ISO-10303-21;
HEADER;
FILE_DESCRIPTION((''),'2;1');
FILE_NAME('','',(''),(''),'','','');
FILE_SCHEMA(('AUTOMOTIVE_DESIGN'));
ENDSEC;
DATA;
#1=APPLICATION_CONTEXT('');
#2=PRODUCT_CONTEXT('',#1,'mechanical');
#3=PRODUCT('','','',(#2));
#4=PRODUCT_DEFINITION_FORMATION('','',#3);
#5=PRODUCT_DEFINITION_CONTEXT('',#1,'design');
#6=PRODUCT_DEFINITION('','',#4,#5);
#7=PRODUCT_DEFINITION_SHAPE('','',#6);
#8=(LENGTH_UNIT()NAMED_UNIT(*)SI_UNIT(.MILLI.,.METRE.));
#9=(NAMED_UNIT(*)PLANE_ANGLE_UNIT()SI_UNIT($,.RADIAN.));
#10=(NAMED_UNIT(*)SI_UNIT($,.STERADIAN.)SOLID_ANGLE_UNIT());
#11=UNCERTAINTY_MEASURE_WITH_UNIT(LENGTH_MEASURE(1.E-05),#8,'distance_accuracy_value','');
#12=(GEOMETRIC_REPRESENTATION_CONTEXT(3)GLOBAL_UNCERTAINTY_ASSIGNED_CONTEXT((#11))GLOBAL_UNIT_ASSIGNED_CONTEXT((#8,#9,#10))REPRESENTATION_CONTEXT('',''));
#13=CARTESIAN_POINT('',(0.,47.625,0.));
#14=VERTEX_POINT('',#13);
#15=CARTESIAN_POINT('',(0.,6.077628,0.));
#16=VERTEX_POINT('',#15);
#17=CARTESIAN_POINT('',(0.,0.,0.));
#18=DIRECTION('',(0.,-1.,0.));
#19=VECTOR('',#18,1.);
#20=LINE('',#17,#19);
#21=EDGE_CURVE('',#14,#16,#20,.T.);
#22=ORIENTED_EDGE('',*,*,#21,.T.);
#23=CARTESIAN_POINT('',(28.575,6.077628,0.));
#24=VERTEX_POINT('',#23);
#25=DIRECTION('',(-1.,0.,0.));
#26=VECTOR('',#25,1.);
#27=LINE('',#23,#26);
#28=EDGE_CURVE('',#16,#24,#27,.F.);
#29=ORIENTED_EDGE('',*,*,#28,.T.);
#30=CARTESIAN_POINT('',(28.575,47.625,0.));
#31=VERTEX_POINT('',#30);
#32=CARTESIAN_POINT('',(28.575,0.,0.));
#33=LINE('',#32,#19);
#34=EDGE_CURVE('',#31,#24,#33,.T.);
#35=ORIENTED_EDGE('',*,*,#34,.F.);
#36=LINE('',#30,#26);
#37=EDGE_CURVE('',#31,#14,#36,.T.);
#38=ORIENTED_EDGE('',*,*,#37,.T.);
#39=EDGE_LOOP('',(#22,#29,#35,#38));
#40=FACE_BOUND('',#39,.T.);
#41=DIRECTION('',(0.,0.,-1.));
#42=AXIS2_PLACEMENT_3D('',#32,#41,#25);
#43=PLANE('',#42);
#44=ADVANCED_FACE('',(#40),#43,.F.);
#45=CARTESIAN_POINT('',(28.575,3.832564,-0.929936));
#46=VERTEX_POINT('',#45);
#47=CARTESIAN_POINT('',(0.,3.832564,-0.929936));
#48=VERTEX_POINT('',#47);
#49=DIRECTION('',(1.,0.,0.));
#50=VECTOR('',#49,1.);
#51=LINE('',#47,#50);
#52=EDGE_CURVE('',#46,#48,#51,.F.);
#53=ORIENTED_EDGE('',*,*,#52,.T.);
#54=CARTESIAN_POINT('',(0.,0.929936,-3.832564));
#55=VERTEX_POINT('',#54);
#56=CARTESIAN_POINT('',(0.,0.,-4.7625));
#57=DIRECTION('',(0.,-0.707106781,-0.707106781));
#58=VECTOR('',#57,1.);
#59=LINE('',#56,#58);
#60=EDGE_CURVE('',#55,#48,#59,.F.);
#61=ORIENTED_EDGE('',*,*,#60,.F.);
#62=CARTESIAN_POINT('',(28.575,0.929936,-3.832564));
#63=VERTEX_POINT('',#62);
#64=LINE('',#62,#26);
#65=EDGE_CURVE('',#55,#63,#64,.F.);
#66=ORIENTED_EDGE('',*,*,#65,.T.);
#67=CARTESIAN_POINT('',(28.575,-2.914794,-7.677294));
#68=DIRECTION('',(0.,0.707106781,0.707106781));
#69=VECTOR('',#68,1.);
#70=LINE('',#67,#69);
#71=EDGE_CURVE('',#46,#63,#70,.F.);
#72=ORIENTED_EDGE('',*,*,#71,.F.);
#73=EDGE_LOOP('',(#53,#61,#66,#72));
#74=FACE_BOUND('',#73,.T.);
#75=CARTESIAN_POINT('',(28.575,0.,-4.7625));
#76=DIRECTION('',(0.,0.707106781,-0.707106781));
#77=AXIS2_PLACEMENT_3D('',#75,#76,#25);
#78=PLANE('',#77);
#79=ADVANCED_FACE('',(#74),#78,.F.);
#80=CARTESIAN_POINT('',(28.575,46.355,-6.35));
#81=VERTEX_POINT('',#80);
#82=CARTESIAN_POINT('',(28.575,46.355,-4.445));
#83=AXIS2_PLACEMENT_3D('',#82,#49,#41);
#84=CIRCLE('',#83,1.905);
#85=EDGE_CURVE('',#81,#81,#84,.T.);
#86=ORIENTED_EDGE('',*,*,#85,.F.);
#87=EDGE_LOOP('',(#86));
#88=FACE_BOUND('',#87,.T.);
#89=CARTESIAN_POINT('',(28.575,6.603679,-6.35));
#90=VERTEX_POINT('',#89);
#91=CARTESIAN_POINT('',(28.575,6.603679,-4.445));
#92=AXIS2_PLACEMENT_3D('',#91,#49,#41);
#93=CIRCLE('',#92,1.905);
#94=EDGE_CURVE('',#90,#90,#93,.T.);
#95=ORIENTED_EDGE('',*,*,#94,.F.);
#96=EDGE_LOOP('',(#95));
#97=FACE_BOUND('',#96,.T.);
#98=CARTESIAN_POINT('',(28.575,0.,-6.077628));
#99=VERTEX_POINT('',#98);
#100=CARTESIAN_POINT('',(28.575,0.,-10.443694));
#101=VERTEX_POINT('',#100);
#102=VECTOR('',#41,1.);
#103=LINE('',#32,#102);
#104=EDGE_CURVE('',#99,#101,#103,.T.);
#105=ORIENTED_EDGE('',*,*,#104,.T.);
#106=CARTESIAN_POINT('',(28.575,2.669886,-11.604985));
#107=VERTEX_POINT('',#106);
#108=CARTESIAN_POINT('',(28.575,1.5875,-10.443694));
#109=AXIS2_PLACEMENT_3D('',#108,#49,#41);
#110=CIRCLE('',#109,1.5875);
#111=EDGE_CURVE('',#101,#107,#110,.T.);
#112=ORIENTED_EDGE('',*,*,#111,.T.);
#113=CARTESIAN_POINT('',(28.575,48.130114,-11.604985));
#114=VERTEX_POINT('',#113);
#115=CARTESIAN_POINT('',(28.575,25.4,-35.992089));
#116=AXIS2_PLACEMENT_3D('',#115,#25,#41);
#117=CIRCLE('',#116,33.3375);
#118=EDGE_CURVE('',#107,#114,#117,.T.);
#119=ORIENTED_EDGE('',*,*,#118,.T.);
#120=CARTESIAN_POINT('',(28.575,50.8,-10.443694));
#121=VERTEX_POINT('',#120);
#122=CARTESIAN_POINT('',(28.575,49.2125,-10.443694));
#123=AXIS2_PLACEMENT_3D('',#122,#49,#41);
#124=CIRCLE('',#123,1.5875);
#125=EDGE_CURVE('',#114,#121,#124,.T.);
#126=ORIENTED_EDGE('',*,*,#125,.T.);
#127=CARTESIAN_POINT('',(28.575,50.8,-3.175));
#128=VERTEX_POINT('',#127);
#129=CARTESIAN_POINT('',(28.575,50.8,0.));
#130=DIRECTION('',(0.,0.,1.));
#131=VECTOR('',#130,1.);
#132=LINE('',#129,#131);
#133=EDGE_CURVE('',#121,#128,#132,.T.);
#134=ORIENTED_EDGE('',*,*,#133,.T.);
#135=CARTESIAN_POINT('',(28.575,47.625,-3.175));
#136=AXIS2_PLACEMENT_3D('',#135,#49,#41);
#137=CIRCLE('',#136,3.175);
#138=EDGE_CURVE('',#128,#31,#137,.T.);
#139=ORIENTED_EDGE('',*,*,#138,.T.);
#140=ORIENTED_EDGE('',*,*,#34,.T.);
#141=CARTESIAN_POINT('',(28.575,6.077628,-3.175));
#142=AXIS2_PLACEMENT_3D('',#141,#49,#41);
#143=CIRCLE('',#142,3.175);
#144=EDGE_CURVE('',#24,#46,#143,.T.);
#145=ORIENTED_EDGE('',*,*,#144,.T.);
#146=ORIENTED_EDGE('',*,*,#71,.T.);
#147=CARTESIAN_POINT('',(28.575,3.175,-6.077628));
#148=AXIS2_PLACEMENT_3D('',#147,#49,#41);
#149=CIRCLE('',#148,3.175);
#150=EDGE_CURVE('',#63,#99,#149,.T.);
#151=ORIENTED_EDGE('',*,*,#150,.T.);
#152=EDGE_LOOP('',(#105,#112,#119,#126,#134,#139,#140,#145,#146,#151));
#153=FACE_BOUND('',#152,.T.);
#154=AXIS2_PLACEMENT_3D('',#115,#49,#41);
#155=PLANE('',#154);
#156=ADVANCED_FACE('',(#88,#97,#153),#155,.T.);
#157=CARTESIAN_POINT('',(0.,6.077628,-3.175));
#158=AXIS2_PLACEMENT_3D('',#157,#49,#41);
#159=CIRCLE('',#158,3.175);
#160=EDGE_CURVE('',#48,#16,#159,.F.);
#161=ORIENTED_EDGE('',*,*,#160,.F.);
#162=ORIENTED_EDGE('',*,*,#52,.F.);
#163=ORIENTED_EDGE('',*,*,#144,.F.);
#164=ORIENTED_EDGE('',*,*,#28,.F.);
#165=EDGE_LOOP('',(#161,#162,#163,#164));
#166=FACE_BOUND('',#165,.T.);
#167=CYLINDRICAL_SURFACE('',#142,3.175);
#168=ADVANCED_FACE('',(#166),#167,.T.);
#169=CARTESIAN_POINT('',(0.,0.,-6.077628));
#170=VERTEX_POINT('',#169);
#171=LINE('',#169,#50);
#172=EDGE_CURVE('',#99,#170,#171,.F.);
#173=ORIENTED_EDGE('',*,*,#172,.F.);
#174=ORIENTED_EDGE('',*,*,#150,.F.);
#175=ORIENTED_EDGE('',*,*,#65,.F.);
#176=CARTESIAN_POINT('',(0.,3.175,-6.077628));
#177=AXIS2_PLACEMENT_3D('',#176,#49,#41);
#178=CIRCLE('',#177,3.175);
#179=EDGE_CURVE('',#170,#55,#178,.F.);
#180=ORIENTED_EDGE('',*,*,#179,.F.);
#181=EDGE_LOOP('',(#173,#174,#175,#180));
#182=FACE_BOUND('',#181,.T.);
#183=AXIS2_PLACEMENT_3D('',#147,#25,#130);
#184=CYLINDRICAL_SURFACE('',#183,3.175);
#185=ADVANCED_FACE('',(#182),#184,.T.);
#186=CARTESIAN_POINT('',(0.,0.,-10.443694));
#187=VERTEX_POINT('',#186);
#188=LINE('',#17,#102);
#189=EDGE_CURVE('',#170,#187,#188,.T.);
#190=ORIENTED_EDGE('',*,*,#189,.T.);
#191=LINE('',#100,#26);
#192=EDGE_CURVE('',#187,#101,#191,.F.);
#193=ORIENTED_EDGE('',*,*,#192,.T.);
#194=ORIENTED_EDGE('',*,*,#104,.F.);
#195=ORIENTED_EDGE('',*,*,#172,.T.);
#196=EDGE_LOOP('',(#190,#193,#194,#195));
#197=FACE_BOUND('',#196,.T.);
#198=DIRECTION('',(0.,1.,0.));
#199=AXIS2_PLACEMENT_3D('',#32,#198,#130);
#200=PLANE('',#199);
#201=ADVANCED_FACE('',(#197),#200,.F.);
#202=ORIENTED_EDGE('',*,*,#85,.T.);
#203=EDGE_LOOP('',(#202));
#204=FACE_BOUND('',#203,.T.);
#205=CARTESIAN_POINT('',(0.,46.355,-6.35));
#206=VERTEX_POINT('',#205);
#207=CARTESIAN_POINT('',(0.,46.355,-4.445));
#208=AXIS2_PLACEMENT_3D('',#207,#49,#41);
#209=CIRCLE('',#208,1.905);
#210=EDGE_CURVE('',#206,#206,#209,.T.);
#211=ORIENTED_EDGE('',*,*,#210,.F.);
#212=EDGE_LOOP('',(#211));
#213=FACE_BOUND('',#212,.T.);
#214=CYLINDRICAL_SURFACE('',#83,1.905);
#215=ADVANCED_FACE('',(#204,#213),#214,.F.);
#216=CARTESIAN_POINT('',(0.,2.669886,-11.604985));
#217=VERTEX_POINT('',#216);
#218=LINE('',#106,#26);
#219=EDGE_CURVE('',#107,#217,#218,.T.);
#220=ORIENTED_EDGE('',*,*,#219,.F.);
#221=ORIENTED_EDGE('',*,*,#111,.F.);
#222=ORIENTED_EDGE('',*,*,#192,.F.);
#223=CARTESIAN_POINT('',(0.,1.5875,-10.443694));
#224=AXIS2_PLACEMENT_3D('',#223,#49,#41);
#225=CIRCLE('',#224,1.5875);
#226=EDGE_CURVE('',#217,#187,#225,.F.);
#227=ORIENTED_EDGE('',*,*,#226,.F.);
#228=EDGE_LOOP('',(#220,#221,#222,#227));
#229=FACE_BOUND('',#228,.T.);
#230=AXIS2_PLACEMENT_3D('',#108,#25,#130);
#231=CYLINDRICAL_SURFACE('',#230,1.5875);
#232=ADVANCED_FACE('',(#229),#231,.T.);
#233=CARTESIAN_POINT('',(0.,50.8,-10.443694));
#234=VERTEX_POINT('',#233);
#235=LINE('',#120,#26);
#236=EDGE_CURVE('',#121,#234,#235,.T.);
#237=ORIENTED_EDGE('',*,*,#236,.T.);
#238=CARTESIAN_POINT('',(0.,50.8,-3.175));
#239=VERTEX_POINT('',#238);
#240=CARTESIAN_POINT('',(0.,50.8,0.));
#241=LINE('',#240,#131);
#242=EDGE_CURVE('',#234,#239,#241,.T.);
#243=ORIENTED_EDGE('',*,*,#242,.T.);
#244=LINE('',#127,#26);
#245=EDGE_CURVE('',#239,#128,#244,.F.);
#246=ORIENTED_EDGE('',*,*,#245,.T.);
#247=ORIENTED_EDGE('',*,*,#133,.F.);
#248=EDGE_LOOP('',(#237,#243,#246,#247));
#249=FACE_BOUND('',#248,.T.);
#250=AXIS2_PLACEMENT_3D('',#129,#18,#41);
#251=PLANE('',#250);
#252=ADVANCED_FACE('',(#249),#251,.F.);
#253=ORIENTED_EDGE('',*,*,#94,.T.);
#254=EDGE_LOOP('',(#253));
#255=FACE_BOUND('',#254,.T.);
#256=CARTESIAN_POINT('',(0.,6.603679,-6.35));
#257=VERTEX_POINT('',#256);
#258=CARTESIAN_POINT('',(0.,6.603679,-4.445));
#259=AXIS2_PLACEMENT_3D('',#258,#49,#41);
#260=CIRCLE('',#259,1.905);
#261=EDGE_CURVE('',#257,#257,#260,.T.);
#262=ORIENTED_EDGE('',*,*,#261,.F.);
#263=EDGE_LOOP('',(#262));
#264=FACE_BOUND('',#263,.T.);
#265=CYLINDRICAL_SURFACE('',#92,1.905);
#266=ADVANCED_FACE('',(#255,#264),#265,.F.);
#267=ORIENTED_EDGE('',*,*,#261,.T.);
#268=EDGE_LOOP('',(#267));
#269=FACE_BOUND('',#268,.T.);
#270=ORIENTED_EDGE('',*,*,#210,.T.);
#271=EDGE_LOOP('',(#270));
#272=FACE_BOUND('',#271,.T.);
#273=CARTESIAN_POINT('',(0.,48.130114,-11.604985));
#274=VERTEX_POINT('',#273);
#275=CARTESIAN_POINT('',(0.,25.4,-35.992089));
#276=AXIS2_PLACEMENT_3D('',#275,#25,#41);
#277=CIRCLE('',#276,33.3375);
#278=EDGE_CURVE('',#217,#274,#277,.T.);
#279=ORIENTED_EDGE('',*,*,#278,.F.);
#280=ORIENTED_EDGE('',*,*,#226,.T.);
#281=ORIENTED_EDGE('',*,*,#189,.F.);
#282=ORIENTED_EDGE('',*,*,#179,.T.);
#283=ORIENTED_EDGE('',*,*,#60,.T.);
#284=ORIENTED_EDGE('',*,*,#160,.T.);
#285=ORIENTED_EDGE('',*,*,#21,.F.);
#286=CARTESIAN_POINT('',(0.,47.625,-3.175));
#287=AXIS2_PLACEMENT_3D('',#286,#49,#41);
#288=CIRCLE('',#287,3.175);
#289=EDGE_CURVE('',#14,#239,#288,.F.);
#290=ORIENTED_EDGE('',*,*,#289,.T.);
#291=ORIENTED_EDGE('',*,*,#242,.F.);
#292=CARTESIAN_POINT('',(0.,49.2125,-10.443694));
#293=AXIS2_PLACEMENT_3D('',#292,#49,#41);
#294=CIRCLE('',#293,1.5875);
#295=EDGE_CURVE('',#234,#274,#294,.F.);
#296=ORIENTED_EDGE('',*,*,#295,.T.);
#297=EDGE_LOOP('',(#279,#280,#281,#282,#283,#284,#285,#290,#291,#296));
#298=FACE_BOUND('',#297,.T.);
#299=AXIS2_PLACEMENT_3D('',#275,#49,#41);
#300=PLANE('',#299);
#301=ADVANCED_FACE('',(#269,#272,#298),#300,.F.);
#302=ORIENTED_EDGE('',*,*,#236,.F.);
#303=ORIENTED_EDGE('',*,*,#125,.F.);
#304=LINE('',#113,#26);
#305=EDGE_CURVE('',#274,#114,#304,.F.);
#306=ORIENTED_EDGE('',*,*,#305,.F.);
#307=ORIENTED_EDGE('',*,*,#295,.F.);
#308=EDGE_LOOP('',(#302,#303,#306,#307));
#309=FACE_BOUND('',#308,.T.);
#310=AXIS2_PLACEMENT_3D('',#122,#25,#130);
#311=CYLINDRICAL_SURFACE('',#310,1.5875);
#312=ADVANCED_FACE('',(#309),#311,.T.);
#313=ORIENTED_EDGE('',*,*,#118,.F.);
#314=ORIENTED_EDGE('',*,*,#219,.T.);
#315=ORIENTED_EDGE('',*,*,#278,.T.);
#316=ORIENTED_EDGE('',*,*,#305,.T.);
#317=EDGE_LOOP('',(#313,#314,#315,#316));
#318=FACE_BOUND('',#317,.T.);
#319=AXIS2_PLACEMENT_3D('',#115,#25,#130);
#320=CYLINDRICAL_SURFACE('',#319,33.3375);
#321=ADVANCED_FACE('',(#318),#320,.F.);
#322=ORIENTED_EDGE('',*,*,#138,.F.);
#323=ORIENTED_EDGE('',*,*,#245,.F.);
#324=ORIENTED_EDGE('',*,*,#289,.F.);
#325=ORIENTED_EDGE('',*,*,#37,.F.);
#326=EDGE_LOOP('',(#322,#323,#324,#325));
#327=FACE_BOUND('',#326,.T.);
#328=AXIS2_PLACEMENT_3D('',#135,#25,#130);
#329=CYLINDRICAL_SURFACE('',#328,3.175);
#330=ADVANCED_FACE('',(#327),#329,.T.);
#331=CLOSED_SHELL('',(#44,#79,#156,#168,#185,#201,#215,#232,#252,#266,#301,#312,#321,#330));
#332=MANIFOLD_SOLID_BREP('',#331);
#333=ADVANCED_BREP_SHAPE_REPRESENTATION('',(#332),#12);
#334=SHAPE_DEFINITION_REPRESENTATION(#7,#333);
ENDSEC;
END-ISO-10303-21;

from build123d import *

# Parameters (mm, degrees)
BOSS_EXTRUDE1_DEPTH   = 28.575
CHAMFER1_SIZE         = 4.7625
FILLET1_R             = 3.175
FILLET2_R             = 1.5875
F_8_CLEARANCE_HOLE1_D = 3.81


with BuildPart() as part:
    # Sketch1 → Boss-Extrude1 (new body)
    with BuildSketch(Plane(origin=(0, 0, 0), x_dir=(0, 0, -1), z_dir=(1, 0, 0))):
        with BuildLine():
            Line((0, 0), (0, 50.8))
            Line((0, 50.8), (14.399754562, 50.8))
            ThreePointArc((14.399754562, 50.8), (2.654588994, 25.4), (14.399754562, 0))
            Line((14.399754562, 0), (0, 0))
        make_face()
    extrude(amount=BOSS_EXTRUDE1_DEPTH)

    # Chamfer1
    chamfer1_edges = [part.edges().sort_by_distance(p)[0] for p in [
        (14.2875, 0, 0),
    ]]
    chamfer(chamfer1_edges, length=CHAMFER1_SIZE)

    # Fillet1
    fillet1_edges = [part.edges().sort_by_distance(p)[0] for p in [
        (14.2875, 0, -4.7625),
        (14.2875, 4.7625, 0),
        (14.2875, 50.8, 0),
    ]]
    fillet(fillet1_edges, radius=FILLET1_R)

    # Fillet2
    fillet2_edges = [part.edges().sort_by_distance(p)[0] for p in [
        (14.2875, 50.8, -14.399754562),
        (14.2875, 0, -14.399754562),
    ]]
    fillet(fillet2_edges, radius=FILLET2_R)

    # #8 Clearance Hole1 (through all)
    with Locations(Plane(origin=(28.575, 0, 0), x_dir=(0, 0, -1), z_dir=(1, 0, 0))):
        with Locations((4.445, 46.355), (4.445, 6.603679285)):
            Hole(F_8_CLEARANCE_HOLE1_D / 2)


solid = part.part
